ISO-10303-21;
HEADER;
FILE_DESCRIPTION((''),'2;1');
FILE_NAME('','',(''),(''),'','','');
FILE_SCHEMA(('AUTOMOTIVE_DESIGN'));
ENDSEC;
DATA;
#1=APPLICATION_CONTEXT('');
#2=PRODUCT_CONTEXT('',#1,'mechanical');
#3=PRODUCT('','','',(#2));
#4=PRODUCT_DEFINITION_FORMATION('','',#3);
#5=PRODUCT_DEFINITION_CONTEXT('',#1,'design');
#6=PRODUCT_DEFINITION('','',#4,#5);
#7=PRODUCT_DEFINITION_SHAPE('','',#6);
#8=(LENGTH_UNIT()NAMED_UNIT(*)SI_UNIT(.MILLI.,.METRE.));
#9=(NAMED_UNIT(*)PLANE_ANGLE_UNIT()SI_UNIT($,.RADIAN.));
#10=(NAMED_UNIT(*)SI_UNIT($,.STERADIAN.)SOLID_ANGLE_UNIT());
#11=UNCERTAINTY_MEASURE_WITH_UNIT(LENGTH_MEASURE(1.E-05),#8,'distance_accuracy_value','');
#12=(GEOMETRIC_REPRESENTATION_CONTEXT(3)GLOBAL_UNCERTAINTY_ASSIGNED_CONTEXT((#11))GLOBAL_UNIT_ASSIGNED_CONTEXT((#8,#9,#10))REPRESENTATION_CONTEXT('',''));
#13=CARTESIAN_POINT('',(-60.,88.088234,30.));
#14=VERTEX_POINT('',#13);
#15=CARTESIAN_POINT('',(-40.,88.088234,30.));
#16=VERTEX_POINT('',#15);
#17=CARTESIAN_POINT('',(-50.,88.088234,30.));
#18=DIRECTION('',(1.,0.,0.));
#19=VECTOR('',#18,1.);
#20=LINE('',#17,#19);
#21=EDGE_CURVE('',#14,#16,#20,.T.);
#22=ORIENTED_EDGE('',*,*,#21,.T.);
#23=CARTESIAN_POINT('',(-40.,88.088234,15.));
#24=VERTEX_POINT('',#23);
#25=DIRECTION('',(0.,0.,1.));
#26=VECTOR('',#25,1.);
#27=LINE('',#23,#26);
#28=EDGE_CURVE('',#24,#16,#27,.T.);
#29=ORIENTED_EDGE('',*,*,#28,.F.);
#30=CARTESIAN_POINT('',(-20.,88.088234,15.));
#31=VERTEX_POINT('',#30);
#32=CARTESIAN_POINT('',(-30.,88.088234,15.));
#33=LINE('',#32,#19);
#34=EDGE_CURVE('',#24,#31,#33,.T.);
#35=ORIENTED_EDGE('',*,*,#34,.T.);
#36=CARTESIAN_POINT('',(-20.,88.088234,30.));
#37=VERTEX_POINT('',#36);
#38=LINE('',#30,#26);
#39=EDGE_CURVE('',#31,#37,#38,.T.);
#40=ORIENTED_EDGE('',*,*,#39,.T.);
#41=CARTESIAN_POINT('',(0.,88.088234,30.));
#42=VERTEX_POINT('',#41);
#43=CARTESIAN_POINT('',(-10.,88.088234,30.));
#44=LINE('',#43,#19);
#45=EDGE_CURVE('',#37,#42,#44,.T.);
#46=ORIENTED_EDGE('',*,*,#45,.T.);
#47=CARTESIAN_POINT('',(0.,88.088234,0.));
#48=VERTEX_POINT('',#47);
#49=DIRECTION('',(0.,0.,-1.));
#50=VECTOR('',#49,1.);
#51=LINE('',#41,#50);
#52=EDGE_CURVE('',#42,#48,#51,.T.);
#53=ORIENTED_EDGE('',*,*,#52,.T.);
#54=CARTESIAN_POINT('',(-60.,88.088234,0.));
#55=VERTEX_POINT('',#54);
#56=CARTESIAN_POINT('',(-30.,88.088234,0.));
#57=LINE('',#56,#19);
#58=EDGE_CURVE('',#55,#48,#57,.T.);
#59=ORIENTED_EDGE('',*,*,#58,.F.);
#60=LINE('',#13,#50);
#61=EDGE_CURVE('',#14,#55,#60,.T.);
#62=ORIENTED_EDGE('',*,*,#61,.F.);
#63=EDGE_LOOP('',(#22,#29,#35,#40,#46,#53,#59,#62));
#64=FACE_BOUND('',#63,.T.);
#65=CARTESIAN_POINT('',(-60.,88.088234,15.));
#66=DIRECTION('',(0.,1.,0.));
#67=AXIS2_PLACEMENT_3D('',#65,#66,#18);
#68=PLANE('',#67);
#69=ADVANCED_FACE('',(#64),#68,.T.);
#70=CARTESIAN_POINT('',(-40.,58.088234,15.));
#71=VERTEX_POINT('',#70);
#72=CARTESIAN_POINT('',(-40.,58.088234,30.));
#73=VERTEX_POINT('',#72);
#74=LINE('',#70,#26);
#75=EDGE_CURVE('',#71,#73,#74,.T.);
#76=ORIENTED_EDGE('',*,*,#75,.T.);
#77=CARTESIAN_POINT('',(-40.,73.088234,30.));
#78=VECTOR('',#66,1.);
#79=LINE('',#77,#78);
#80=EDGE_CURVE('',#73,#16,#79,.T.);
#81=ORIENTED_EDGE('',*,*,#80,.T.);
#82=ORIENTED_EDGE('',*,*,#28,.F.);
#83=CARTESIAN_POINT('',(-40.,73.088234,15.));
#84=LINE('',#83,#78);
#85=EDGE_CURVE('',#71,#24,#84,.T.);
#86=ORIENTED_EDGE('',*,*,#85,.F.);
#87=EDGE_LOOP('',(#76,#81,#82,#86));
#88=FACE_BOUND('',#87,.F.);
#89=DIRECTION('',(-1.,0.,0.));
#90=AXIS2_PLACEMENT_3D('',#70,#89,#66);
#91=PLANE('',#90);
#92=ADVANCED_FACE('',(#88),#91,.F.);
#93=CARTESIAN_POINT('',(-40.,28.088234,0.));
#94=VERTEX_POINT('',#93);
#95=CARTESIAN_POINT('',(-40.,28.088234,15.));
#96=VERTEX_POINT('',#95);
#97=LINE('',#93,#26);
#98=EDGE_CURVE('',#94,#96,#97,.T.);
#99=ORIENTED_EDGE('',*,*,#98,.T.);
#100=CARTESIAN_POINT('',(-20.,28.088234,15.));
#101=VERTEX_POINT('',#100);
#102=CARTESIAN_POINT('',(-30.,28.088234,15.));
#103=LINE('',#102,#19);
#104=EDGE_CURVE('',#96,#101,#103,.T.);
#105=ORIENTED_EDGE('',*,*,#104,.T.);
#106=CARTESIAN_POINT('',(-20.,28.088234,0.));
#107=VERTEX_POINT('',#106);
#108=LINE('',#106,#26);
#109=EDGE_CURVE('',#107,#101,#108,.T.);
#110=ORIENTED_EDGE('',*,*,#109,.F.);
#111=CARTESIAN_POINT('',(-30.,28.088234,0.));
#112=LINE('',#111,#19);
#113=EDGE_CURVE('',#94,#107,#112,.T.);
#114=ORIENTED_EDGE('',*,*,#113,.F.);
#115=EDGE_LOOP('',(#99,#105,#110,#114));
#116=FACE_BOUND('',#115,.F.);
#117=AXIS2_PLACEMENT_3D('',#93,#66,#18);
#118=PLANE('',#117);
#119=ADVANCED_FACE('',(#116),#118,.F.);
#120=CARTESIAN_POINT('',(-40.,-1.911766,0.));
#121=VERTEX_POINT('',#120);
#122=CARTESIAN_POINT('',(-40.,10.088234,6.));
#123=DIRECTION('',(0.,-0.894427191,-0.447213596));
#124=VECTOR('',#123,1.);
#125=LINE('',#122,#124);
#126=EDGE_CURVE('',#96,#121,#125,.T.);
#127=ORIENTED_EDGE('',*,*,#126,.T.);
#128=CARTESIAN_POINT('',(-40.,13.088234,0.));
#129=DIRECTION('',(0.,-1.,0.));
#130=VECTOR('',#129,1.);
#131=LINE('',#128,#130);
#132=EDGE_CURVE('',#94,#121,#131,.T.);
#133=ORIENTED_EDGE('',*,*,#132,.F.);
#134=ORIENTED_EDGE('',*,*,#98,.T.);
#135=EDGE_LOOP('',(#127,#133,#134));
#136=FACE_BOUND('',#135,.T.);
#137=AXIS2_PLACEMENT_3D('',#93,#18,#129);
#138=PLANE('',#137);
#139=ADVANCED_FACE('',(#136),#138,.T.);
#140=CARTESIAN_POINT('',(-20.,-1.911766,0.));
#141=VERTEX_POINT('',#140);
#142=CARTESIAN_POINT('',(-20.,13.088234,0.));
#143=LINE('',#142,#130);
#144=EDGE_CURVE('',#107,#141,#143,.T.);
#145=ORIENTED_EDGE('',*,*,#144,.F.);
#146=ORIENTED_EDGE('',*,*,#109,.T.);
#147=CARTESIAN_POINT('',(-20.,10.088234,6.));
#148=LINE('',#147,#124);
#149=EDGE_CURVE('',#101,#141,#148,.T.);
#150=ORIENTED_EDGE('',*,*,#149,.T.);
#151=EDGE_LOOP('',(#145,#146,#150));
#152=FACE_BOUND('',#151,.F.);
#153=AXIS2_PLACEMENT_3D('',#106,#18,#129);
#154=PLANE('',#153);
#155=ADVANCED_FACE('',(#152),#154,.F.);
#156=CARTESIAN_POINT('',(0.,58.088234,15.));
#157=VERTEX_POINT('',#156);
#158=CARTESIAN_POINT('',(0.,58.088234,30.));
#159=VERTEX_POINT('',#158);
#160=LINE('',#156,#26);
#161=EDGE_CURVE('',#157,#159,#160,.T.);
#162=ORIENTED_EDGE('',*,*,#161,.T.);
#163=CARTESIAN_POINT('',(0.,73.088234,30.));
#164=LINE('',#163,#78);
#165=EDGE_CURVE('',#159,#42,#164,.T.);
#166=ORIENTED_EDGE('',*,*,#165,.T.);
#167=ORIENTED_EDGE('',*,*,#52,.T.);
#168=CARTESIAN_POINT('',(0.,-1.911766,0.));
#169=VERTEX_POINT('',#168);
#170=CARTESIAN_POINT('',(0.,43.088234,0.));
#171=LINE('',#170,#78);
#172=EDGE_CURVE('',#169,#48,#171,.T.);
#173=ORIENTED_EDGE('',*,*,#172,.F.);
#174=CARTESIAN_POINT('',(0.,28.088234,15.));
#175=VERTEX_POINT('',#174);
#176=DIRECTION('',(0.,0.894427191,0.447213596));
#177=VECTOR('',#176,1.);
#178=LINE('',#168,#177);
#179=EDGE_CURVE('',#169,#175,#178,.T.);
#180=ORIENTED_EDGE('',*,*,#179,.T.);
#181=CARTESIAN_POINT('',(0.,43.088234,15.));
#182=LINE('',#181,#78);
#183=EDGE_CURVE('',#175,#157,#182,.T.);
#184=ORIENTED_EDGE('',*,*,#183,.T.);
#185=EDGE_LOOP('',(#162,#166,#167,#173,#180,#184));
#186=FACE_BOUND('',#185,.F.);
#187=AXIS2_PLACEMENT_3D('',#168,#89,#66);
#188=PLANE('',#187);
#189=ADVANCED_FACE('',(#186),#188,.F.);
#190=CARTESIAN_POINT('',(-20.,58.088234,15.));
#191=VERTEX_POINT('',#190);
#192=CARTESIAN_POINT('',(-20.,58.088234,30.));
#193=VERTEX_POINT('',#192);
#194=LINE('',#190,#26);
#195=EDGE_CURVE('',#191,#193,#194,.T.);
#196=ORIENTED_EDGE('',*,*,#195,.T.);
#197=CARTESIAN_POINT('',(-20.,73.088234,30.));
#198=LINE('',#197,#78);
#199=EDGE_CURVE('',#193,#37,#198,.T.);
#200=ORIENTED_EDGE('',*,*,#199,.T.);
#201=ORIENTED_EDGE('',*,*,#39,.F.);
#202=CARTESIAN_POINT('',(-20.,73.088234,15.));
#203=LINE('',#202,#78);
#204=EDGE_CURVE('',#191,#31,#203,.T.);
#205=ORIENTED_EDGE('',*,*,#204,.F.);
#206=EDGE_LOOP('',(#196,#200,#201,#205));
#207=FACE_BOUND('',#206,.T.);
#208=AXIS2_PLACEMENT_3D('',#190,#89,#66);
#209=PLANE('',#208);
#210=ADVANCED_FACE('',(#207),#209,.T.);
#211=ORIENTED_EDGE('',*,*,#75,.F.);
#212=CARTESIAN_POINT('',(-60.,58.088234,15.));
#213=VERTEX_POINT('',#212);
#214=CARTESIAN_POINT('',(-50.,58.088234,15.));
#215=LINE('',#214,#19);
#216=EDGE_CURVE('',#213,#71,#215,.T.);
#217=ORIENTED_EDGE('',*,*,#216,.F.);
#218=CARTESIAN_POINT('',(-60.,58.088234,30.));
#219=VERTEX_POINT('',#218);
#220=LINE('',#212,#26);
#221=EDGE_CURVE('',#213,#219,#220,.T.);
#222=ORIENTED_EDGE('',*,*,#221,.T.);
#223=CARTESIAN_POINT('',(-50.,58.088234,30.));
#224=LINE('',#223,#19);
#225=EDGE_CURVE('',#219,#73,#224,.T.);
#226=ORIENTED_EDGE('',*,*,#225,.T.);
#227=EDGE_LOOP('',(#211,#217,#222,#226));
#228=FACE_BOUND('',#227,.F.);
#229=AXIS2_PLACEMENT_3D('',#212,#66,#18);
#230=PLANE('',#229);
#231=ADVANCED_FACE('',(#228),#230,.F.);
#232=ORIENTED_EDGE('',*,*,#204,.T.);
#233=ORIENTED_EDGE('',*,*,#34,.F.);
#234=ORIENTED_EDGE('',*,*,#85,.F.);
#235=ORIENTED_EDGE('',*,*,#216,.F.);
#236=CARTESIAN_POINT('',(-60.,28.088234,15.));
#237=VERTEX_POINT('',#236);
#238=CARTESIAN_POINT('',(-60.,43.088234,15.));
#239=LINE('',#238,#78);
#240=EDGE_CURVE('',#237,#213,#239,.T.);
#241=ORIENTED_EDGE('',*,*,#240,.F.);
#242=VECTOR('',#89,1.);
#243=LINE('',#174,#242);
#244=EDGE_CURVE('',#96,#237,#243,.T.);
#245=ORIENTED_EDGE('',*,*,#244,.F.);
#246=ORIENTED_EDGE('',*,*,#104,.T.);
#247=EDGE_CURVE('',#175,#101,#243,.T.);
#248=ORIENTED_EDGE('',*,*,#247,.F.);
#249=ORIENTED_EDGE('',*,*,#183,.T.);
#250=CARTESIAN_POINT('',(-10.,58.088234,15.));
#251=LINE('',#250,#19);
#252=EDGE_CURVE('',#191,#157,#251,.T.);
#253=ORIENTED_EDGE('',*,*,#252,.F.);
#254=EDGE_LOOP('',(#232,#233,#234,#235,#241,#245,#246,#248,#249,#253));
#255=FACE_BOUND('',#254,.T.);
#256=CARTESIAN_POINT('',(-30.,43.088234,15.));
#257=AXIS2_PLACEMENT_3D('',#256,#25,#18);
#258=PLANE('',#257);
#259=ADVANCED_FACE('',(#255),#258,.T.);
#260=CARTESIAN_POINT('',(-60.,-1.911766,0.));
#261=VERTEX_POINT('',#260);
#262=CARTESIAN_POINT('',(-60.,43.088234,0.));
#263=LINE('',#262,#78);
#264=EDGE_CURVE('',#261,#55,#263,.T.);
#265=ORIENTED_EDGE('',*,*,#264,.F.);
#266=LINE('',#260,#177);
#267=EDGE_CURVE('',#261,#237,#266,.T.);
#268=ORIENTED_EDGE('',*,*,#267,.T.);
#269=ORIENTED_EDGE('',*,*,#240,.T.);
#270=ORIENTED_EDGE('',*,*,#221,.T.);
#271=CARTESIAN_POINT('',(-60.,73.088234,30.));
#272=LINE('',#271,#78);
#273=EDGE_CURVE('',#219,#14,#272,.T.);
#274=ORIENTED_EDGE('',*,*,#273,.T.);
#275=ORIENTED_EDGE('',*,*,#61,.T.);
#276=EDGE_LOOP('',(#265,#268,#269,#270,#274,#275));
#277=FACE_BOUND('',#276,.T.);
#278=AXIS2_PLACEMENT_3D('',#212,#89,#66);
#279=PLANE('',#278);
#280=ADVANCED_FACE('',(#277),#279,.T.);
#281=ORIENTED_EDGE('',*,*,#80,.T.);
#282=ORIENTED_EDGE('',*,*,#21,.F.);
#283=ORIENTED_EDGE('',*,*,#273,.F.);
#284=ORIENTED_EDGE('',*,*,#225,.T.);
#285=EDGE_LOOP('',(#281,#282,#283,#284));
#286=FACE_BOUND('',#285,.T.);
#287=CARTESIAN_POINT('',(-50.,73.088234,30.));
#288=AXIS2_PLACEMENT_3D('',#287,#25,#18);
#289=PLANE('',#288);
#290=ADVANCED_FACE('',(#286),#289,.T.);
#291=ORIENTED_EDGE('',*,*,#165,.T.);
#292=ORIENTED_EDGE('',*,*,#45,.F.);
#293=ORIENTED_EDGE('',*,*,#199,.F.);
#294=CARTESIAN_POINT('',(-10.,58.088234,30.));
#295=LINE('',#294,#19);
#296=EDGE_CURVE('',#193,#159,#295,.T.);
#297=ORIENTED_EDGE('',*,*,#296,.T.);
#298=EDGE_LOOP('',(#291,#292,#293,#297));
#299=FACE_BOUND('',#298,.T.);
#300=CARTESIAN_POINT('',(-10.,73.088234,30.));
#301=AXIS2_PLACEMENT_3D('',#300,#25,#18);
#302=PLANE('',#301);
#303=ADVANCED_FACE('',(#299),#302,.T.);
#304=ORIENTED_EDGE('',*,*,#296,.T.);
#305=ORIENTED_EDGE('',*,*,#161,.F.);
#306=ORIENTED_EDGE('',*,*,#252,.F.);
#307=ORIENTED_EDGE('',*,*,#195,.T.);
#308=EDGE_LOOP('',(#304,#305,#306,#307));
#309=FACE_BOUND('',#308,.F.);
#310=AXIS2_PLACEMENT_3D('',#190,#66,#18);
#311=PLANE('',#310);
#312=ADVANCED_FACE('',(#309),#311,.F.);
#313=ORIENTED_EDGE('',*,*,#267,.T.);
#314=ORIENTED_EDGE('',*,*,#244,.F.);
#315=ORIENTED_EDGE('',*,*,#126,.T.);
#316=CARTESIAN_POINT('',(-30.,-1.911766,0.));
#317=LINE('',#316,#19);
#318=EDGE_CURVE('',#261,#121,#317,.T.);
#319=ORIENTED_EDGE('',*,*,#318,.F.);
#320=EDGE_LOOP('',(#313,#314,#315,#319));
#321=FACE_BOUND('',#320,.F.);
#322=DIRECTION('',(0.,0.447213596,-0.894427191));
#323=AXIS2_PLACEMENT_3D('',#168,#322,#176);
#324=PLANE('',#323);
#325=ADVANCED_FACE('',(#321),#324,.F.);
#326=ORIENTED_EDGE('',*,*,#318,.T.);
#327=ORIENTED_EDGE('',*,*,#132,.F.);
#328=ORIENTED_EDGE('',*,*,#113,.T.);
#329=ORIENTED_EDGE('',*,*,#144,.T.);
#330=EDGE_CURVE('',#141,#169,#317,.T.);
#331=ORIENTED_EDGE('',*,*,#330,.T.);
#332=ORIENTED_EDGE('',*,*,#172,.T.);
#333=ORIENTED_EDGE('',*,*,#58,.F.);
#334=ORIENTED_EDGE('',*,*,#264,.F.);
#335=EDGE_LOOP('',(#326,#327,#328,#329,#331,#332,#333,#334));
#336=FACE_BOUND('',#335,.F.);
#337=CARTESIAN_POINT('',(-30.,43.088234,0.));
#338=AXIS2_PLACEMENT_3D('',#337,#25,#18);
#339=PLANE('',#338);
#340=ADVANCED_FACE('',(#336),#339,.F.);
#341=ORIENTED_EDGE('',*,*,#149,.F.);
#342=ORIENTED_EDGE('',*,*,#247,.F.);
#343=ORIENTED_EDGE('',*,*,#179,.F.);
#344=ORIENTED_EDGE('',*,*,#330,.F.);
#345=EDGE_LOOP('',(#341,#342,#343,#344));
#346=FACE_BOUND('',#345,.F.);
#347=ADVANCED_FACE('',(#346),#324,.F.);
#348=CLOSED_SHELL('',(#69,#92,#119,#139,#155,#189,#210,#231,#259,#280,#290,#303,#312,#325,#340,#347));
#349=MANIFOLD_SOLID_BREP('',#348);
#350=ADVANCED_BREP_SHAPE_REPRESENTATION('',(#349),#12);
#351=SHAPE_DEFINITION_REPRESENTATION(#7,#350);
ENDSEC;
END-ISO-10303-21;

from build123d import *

# Parameters (mm, degrees)
F0_W     = 60
F0_H     = 90
F1_DEPTH = 15
F2_W     = 20
F2_H     = 30
F3_DEPTH = 15
F5_DEPTH = 60
F6_W     = 20
F6_H     = 30
F7_DEPTH = 15


with BuildPart() as f1:
    # F0 (on Top) → F1 (new body)
    with BuildSketch(Plane.XY):
        with Locations((-30, 43.088234)):
            Rectangle(F0_W, F0_H)
    extrude(amount=F1_DEPTH)

    # F2 (on face) → F3 (join)
    with BuildSketch(Plane.XY.offset(15)):
        with Locations((-50, 73.088234)):
            Rectangle(F2_W, F2_H)
        with Locations((-10, 73.088234)):
            Rectangle(F2_W, F2_H)
    extrude(amount=F3_DEPTH)

    # F4 (on face) → F5 (cut)
    with BuildSketch(Plane.YZ):
        Polygon((-1.911766, 15), (-1.911766, 0), (28.088234, 15), align=None)
    extrude(amount=-F5_DEPTH, mode=Mode.SUBTRACT)

    # F6 (on face) → F7 (cut)
    with BuildSketch(Plane(origin=(0, 0, 0), x_dir=(1, 0, 0), z_dir=(0, 0, -1))):
        with Locations((-30, -13.088234)):
            Rectangle(F6_W, F6_H)
    extrude(amount=-F7_DEPTH, mode=Mode.SUBTRACT)


solid = f1.part
